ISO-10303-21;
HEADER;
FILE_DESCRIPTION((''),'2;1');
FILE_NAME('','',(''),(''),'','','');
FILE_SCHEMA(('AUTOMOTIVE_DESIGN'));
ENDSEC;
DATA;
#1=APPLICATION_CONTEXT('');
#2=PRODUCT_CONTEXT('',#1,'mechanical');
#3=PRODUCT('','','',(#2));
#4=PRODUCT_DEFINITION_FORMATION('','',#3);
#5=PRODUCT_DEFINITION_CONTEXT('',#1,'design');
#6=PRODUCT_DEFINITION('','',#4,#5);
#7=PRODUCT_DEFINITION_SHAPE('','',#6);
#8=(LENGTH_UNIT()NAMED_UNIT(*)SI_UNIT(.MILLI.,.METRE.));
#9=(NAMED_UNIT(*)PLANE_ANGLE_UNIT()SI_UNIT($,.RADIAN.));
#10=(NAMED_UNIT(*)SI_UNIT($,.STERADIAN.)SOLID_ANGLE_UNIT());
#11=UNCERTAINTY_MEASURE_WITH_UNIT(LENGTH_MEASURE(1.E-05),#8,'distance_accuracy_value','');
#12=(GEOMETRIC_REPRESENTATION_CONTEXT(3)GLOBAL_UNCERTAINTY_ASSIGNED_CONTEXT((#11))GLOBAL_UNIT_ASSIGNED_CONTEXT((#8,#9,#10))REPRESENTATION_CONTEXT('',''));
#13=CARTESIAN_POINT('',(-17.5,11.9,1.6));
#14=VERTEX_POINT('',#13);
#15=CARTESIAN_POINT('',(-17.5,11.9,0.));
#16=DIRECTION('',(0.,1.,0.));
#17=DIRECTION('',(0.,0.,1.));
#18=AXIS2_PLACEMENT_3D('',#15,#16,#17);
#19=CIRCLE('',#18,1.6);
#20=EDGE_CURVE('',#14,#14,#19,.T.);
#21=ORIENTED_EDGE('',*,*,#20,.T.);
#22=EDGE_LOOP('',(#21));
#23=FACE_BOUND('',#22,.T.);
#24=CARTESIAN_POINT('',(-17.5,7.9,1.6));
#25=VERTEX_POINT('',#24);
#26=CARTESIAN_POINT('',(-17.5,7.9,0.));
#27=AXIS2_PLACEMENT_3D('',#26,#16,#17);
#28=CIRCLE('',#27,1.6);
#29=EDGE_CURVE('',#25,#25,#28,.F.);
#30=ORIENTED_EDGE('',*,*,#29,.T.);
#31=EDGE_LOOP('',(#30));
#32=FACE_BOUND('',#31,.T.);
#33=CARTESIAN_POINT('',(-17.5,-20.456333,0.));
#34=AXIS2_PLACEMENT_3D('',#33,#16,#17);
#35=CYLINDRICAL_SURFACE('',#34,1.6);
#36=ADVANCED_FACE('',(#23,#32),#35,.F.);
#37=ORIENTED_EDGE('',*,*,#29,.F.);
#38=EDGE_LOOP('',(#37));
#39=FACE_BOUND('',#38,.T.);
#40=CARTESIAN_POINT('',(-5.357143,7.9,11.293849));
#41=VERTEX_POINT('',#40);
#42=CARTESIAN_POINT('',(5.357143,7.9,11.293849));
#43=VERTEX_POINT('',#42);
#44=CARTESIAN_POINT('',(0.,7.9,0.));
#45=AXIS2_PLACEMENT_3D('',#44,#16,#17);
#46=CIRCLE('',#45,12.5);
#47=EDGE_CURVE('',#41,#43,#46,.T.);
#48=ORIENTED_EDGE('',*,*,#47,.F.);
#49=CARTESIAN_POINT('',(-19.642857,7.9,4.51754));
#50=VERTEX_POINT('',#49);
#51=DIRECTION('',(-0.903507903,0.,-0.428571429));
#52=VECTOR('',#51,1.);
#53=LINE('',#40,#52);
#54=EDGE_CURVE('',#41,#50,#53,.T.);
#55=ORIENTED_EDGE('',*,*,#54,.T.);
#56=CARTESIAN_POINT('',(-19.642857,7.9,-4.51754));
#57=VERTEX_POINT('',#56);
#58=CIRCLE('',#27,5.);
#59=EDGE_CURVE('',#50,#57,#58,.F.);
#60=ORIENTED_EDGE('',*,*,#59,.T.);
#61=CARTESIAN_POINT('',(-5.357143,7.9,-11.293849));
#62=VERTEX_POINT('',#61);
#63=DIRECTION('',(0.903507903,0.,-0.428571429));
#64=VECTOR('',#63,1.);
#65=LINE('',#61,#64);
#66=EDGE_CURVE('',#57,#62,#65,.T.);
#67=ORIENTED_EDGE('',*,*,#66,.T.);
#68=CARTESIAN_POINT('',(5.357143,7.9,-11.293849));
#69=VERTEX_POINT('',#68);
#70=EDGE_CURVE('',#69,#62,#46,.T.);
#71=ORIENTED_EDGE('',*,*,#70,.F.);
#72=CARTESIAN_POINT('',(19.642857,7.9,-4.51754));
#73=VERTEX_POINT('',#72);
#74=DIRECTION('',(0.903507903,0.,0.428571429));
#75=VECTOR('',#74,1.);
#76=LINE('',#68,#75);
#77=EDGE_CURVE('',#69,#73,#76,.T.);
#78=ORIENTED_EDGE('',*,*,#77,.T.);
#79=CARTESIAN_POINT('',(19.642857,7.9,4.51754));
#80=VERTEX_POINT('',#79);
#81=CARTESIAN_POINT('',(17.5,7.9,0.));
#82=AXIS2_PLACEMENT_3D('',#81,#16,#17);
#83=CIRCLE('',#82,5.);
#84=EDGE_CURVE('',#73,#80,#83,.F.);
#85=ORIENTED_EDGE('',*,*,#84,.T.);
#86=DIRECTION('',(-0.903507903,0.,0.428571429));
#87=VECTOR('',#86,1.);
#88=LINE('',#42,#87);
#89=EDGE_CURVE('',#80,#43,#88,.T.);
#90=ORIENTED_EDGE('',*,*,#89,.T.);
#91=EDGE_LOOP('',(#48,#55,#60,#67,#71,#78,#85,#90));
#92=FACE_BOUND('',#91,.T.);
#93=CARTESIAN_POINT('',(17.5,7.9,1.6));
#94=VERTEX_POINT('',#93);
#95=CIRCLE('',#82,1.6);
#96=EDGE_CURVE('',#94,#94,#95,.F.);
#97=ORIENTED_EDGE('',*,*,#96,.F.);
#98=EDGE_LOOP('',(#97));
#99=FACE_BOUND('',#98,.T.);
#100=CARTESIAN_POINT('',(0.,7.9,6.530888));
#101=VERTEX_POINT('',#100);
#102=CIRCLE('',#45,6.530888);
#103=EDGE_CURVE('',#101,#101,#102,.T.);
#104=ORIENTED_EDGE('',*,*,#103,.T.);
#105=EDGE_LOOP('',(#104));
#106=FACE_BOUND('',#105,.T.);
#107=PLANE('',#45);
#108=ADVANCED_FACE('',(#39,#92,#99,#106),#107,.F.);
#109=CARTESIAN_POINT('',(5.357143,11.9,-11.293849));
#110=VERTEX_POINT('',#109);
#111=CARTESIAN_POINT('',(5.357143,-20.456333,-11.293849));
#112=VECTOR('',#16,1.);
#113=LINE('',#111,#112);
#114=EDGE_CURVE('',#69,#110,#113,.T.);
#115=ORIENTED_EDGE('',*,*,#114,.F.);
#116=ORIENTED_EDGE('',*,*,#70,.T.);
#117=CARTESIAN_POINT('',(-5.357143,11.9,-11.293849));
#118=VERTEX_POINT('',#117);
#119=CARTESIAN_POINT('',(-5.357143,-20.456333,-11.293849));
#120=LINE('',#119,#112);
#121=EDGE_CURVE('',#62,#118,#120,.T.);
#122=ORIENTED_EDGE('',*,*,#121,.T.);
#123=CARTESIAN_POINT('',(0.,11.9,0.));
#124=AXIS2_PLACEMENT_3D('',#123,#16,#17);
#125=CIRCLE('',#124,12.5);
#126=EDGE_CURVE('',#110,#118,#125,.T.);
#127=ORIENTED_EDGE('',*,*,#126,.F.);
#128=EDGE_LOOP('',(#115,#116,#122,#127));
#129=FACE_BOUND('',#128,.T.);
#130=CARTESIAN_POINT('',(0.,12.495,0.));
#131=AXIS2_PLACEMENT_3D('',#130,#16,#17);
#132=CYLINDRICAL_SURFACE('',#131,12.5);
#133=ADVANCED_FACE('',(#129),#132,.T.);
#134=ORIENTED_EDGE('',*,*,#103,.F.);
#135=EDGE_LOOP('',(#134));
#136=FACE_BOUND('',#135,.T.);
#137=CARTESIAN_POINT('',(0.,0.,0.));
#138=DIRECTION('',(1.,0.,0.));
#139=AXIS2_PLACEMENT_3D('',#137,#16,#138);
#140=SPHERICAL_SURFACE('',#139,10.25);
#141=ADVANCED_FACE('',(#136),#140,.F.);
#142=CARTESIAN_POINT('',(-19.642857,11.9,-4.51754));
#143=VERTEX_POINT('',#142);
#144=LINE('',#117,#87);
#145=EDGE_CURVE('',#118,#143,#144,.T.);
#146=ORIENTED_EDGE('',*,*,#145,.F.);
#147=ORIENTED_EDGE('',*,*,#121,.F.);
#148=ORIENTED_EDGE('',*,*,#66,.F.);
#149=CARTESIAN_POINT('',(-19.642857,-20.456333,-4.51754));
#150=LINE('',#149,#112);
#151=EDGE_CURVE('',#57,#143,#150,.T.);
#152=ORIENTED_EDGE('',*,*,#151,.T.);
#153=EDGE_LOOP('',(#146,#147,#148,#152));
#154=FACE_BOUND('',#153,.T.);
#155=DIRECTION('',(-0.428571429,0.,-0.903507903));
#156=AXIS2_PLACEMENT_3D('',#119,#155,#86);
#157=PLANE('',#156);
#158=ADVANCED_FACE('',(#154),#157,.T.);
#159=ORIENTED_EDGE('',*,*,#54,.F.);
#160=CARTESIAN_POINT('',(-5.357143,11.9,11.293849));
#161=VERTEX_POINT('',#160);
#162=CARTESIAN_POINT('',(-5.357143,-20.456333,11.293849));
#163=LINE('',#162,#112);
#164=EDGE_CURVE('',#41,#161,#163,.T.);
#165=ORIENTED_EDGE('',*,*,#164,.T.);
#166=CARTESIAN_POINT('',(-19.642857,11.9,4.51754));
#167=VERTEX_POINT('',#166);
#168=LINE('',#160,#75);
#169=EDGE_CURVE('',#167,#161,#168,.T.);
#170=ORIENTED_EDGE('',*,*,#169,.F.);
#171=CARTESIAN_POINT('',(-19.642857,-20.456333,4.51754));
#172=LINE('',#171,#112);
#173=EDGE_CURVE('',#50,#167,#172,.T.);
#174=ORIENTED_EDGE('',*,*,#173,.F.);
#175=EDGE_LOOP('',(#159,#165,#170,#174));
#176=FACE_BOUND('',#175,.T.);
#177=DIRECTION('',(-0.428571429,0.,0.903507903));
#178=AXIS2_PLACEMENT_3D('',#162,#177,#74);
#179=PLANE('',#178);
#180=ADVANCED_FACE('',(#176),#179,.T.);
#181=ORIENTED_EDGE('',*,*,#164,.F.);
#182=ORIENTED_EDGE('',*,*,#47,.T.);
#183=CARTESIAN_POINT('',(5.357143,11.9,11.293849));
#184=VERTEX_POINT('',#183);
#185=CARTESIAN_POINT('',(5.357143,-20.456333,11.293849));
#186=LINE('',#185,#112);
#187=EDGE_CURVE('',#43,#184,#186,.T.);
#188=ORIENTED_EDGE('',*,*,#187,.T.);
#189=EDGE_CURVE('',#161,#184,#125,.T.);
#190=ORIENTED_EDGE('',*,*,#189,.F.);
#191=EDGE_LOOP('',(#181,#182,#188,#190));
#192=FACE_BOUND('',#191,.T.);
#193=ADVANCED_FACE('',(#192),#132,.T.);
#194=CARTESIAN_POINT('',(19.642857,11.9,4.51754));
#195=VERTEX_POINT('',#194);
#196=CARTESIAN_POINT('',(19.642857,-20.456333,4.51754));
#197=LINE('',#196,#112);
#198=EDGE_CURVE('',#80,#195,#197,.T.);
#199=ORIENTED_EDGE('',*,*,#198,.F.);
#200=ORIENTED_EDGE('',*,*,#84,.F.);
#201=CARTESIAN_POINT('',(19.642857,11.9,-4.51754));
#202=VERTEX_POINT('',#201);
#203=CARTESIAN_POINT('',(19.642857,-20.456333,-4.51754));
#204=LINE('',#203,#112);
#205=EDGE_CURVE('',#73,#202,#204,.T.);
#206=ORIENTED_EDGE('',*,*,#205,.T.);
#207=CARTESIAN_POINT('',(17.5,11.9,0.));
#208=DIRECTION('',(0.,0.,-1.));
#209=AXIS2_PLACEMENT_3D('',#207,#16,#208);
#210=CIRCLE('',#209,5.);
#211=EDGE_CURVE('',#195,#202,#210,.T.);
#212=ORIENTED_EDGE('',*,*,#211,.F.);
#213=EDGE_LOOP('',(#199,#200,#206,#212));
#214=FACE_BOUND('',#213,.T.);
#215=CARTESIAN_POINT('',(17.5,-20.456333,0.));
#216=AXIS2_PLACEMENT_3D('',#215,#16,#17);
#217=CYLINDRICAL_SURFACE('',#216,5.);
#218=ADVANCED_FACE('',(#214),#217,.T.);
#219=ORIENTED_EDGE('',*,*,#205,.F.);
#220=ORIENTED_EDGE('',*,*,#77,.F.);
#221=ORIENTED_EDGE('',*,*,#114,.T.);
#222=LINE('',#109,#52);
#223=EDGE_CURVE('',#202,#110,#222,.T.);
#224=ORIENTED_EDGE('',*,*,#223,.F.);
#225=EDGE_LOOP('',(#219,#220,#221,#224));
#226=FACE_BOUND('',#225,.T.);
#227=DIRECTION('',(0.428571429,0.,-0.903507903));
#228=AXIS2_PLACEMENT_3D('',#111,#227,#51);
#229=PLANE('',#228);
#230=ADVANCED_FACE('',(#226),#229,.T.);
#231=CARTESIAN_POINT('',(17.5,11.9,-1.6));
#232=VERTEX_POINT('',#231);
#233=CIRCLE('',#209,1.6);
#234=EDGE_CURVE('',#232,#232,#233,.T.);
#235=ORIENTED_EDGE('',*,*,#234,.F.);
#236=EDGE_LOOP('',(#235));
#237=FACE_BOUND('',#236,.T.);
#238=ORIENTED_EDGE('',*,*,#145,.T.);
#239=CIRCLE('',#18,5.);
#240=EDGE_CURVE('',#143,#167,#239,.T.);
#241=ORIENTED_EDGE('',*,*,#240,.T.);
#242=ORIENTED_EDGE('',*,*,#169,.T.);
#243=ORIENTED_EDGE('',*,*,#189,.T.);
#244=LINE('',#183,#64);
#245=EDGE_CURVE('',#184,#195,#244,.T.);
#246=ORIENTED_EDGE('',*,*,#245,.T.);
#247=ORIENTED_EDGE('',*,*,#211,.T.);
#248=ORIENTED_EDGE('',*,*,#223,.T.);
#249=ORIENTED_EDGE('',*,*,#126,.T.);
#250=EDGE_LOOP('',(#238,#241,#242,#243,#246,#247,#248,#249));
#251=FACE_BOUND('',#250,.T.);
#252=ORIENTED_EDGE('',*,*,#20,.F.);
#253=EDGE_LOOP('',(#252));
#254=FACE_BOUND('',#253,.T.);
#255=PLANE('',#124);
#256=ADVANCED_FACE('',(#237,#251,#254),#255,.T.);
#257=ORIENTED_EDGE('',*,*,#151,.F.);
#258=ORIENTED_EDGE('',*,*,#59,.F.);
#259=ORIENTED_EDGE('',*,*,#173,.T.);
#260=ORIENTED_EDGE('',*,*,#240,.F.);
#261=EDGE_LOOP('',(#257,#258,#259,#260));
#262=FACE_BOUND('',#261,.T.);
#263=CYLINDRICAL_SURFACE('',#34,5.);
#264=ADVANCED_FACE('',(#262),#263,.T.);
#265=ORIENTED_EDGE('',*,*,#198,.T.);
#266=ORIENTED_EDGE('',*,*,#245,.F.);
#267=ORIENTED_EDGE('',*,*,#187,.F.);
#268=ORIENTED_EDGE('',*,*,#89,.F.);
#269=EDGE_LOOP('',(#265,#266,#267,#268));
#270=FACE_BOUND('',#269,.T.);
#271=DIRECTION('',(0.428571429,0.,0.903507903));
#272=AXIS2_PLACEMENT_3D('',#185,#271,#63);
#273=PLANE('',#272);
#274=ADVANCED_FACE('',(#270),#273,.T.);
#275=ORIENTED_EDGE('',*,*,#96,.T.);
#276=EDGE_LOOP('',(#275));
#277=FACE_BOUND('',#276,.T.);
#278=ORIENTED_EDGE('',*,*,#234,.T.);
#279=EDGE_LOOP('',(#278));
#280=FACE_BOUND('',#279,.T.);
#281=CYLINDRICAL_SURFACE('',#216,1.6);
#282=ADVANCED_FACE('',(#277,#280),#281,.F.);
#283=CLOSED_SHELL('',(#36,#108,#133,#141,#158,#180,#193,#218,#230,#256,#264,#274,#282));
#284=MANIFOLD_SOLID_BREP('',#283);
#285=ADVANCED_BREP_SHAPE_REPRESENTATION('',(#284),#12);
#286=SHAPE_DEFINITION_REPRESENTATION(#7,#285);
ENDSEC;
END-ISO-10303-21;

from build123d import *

# Parameters (mm, degrees)
SKETCH2_R           = 1.6
BOSS_EXTRUDE1_DEPTH = 4


with BuildPart() as part:
    # Sketch1 → Revolve2 (revolve)
    with BuildSketch(Plane.XY):
        with BuildLine():
            ThreePointArc((6.530888148, 7.9), (3.470410639, 9.644622854), (0, 10.25))
            Line((0, 10.25), (0, 11.9))
            Line((0, 11.9), (12.5, 11.9))
            Line((12.5, 11.9), (12.5, 7.9))
            Line((12.5, 7.9), (6.530888148, 7.9))
        make_face()
    revolve(axis=Axis((0, 12.495, 0), (0, -1, 0)))

    # Sketch2 → Boss-Extrude1 (add)
    with BuildSketch(Plane(origin=(0, 11.9, 0), x_dir=(1, 0, 0), z_dir=(0, 1, 0))):
        with BuildLine():
            Line((-5.357142857, 11.293848786), (-19.642857143, 4.517539515))
            ThreePointArc((-19.642857143, 4.517539515), (-22.5, 0), (-19.642857143, -4.517539515))
            Line((-19.642857143, -4.517539515), (-5.357142857, -11.293848786))
            ThreePointArc((-5.357142857, -11.293848786), (-12.5, 0), (-5.357142857, 11.293848786))
        make_face()
        with Locations((-17.5, 0)):
            Circle(SKETCH2_R, mode=Mode.SUBTRACT)
        with BuildLine():
            Line((5.357142857, -11.293848786), (19.642857143, -4.517539515))
            ThreePointArc((19.642857143, -4.517539515), (22.5, 0), (19.642857143, 4.517539515))
            Line((19.642857143, 4.517539515), (5.357142857, 11.293848786))
            ThreePointArc((5.357142857, 11.293848786), (12.5, 0), (5.357142857, -11.293848786))
        make_face()
        with Locations((17.5, 0)):
            Circle(SKETCH2_R, mode=Mode.SUBTRACT)
    extrude(amount=-BOSS_EXTRUDE1_DEPTH)


solid = part.part
